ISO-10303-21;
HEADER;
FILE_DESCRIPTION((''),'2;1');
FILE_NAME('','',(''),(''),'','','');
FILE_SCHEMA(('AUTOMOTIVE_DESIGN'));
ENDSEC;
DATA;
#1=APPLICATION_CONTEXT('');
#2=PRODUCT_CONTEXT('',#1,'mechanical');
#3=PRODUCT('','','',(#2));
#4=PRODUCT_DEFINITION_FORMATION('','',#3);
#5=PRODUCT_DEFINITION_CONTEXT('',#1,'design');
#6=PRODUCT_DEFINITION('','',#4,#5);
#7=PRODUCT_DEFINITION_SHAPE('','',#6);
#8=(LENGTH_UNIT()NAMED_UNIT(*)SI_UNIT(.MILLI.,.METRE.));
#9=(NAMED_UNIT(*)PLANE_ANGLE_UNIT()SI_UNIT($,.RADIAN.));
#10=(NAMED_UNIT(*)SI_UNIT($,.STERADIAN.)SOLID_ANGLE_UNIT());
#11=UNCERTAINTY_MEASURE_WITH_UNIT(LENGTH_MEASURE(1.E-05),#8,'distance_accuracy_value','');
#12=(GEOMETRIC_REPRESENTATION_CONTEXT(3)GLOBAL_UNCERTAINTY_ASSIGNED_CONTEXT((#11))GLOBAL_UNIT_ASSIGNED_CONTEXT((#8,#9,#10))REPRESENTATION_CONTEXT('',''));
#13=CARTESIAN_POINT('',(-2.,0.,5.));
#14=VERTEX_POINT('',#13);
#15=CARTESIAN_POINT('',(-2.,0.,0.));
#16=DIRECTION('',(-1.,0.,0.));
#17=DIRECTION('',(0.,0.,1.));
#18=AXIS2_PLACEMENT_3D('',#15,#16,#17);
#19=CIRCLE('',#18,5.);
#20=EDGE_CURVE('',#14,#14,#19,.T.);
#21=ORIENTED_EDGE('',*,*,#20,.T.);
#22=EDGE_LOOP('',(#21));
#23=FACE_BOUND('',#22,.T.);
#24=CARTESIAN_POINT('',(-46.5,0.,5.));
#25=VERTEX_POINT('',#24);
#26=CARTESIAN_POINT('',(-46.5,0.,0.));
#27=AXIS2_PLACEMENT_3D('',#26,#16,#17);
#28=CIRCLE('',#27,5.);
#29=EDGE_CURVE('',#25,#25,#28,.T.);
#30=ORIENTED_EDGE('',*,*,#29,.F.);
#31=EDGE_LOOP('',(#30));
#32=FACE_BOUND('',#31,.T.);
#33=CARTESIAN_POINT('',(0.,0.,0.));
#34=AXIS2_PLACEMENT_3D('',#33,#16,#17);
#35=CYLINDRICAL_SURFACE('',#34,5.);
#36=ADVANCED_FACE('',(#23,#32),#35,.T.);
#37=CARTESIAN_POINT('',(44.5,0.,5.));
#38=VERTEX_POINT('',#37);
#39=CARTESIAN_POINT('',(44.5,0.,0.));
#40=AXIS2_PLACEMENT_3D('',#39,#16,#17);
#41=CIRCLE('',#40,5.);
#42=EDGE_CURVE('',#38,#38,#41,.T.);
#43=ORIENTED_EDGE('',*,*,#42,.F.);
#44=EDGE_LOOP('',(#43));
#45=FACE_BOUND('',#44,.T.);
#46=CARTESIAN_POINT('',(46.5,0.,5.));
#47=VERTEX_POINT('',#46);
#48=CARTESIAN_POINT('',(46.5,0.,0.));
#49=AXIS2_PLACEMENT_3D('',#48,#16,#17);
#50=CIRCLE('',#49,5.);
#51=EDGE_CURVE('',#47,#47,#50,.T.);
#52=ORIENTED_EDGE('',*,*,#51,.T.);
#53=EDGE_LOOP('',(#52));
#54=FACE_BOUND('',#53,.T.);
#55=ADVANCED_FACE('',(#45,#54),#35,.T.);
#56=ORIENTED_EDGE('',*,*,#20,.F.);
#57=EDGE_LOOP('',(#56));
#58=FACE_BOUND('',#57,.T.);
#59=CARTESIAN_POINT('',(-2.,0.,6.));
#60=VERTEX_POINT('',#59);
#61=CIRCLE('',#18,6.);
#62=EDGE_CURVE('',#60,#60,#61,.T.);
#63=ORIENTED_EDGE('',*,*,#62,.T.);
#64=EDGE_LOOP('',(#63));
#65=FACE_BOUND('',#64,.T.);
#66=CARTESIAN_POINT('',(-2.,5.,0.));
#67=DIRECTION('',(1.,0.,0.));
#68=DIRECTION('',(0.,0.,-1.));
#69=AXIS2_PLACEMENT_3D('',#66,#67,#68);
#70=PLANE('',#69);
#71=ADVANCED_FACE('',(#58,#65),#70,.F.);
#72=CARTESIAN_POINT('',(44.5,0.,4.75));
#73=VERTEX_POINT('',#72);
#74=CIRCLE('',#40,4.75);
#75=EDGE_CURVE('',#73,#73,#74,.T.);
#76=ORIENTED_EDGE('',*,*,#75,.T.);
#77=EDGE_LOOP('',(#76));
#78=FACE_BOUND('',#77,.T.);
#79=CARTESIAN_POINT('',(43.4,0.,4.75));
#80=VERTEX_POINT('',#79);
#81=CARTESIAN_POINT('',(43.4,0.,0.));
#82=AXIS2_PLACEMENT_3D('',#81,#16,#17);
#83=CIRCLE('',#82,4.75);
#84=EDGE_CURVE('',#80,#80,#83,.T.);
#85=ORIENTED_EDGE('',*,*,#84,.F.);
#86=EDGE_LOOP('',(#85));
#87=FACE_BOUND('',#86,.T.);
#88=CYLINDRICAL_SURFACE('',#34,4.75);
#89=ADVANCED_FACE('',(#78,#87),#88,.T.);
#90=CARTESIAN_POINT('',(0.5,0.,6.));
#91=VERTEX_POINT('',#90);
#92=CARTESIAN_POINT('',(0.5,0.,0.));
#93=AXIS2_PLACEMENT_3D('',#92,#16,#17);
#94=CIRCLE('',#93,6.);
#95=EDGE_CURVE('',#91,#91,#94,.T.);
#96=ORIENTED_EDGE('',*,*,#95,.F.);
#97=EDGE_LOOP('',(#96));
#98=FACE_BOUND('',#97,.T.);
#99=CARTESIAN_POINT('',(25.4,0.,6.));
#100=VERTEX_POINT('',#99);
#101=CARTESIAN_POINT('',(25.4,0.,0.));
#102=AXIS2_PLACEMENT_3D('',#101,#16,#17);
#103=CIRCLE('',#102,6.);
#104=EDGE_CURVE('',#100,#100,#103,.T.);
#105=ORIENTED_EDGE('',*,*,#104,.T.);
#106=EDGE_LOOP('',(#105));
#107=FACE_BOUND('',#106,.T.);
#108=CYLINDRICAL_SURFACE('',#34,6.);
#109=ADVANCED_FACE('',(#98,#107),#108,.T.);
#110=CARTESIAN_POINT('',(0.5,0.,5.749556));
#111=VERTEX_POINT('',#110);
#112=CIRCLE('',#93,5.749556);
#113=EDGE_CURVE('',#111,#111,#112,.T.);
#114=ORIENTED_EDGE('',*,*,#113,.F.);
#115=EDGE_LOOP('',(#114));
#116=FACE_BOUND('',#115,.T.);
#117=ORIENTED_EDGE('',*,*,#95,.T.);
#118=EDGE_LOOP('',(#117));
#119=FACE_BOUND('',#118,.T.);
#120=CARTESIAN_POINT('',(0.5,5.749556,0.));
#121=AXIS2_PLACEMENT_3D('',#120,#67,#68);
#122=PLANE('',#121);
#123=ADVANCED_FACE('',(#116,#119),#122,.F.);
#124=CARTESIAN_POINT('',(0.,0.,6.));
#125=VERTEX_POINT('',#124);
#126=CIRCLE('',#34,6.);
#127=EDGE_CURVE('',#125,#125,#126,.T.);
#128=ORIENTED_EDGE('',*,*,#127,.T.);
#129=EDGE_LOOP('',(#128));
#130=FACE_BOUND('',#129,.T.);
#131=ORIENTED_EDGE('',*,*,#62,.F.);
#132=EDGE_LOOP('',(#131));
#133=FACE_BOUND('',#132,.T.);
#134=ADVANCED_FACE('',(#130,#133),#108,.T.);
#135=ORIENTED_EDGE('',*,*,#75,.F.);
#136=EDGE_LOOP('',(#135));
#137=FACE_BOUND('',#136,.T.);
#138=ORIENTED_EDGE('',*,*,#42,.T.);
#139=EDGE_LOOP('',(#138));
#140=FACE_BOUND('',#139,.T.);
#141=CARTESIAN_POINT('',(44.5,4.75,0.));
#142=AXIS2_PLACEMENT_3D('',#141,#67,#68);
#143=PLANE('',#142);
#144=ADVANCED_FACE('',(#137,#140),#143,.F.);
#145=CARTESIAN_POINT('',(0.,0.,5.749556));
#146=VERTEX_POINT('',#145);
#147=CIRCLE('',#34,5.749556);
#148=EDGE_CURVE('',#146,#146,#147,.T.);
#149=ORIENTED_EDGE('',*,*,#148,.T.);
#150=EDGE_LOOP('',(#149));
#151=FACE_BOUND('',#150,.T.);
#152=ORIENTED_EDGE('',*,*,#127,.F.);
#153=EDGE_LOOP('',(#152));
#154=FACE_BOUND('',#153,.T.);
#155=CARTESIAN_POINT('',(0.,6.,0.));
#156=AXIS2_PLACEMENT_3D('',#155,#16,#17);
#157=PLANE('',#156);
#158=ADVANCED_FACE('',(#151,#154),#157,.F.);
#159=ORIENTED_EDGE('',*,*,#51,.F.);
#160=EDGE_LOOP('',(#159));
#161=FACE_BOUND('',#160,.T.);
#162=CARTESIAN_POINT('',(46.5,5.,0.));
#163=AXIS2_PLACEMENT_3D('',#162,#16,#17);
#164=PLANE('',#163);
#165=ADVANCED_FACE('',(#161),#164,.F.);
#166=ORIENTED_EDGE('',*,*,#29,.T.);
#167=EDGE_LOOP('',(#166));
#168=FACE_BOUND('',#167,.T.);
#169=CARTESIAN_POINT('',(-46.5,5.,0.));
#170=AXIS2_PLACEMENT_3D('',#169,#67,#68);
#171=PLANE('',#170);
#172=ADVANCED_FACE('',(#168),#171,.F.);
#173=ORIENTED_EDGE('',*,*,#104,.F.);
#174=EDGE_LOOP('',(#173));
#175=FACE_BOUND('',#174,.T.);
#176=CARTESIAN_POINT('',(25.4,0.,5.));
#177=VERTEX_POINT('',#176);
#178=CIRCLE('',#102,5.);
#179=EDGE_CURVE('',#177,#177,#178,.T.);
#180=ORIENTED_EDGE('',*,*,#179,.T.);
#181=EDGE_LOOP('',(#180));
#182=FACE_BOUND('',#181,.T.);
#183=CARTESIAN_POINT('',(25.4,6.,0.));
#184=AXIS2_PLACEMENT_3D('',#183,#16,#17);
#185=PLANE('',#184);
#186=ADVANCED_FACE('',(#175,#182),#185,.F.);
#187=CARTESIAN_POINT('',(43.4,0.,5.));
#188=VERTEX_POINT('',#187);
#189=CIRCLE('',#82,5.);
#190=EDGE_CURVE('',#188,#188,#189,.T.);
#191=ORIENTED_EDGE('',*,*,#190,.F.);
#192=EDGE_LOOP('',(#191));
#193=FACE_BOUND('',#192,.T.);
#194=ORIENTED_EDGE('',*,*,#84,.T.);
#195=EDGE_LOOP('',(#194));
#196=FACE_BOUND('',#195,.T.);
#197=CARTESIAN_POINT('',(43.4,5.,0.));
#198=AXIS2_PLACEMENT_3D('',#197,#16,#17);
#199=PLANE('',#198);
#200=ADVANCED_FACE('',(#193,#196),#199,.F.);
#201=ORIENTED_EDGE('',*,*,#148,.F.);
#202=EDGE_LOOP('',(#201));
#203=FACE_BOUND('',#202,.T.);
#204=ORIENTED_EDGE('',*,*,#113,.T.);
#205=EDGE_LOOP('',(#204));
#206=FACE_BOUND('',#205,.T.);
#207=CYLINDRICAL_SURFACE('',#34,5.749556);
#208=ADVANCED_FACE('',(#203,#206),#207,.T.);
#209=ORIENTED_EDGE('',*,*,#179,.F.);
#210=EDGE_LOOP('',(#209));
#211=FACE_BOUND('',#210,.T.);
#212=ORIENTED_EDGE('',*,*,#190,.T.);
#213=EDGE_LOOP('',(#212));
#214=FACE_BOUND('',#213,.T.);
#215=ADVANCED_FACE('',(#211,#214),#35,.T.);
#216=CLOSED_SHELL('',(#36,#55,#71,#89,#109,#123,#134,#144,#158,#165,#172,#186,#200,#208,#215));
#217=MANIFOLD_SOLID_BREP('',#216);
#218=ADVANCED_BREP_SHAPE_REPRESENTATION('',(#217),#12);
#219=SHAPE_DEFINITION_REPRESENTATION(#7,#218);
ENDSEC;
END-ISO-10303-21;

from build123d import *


with BuildPart() as part:
    # Sketch7 → Revolve1 (revolve)
    with BuildSketch(Plane.XY, mode=Mode.PRIVATE) as revolve1_sk:
        Polygon((-2, 5), (-2, 6), (0, 6), (0, 5.749556412), (0.5, 5.749556412), (0.5, 6), (25.4, 6), (25.4, 5), (43.4, 5), (43.4, 4.75), (44.5, 4.75), (44.5, 5), (46.5, 5), (46.5, 0), (-46.5, 0), (-46.5, 5), align=None)
    revolve(revolve1_sk.sketch.rotate(Axis((0, 0, 0), (1, 0, 0)), 90), axis=Axis((0, 0, 0), (1, 0, 0)))


solid = part.part
